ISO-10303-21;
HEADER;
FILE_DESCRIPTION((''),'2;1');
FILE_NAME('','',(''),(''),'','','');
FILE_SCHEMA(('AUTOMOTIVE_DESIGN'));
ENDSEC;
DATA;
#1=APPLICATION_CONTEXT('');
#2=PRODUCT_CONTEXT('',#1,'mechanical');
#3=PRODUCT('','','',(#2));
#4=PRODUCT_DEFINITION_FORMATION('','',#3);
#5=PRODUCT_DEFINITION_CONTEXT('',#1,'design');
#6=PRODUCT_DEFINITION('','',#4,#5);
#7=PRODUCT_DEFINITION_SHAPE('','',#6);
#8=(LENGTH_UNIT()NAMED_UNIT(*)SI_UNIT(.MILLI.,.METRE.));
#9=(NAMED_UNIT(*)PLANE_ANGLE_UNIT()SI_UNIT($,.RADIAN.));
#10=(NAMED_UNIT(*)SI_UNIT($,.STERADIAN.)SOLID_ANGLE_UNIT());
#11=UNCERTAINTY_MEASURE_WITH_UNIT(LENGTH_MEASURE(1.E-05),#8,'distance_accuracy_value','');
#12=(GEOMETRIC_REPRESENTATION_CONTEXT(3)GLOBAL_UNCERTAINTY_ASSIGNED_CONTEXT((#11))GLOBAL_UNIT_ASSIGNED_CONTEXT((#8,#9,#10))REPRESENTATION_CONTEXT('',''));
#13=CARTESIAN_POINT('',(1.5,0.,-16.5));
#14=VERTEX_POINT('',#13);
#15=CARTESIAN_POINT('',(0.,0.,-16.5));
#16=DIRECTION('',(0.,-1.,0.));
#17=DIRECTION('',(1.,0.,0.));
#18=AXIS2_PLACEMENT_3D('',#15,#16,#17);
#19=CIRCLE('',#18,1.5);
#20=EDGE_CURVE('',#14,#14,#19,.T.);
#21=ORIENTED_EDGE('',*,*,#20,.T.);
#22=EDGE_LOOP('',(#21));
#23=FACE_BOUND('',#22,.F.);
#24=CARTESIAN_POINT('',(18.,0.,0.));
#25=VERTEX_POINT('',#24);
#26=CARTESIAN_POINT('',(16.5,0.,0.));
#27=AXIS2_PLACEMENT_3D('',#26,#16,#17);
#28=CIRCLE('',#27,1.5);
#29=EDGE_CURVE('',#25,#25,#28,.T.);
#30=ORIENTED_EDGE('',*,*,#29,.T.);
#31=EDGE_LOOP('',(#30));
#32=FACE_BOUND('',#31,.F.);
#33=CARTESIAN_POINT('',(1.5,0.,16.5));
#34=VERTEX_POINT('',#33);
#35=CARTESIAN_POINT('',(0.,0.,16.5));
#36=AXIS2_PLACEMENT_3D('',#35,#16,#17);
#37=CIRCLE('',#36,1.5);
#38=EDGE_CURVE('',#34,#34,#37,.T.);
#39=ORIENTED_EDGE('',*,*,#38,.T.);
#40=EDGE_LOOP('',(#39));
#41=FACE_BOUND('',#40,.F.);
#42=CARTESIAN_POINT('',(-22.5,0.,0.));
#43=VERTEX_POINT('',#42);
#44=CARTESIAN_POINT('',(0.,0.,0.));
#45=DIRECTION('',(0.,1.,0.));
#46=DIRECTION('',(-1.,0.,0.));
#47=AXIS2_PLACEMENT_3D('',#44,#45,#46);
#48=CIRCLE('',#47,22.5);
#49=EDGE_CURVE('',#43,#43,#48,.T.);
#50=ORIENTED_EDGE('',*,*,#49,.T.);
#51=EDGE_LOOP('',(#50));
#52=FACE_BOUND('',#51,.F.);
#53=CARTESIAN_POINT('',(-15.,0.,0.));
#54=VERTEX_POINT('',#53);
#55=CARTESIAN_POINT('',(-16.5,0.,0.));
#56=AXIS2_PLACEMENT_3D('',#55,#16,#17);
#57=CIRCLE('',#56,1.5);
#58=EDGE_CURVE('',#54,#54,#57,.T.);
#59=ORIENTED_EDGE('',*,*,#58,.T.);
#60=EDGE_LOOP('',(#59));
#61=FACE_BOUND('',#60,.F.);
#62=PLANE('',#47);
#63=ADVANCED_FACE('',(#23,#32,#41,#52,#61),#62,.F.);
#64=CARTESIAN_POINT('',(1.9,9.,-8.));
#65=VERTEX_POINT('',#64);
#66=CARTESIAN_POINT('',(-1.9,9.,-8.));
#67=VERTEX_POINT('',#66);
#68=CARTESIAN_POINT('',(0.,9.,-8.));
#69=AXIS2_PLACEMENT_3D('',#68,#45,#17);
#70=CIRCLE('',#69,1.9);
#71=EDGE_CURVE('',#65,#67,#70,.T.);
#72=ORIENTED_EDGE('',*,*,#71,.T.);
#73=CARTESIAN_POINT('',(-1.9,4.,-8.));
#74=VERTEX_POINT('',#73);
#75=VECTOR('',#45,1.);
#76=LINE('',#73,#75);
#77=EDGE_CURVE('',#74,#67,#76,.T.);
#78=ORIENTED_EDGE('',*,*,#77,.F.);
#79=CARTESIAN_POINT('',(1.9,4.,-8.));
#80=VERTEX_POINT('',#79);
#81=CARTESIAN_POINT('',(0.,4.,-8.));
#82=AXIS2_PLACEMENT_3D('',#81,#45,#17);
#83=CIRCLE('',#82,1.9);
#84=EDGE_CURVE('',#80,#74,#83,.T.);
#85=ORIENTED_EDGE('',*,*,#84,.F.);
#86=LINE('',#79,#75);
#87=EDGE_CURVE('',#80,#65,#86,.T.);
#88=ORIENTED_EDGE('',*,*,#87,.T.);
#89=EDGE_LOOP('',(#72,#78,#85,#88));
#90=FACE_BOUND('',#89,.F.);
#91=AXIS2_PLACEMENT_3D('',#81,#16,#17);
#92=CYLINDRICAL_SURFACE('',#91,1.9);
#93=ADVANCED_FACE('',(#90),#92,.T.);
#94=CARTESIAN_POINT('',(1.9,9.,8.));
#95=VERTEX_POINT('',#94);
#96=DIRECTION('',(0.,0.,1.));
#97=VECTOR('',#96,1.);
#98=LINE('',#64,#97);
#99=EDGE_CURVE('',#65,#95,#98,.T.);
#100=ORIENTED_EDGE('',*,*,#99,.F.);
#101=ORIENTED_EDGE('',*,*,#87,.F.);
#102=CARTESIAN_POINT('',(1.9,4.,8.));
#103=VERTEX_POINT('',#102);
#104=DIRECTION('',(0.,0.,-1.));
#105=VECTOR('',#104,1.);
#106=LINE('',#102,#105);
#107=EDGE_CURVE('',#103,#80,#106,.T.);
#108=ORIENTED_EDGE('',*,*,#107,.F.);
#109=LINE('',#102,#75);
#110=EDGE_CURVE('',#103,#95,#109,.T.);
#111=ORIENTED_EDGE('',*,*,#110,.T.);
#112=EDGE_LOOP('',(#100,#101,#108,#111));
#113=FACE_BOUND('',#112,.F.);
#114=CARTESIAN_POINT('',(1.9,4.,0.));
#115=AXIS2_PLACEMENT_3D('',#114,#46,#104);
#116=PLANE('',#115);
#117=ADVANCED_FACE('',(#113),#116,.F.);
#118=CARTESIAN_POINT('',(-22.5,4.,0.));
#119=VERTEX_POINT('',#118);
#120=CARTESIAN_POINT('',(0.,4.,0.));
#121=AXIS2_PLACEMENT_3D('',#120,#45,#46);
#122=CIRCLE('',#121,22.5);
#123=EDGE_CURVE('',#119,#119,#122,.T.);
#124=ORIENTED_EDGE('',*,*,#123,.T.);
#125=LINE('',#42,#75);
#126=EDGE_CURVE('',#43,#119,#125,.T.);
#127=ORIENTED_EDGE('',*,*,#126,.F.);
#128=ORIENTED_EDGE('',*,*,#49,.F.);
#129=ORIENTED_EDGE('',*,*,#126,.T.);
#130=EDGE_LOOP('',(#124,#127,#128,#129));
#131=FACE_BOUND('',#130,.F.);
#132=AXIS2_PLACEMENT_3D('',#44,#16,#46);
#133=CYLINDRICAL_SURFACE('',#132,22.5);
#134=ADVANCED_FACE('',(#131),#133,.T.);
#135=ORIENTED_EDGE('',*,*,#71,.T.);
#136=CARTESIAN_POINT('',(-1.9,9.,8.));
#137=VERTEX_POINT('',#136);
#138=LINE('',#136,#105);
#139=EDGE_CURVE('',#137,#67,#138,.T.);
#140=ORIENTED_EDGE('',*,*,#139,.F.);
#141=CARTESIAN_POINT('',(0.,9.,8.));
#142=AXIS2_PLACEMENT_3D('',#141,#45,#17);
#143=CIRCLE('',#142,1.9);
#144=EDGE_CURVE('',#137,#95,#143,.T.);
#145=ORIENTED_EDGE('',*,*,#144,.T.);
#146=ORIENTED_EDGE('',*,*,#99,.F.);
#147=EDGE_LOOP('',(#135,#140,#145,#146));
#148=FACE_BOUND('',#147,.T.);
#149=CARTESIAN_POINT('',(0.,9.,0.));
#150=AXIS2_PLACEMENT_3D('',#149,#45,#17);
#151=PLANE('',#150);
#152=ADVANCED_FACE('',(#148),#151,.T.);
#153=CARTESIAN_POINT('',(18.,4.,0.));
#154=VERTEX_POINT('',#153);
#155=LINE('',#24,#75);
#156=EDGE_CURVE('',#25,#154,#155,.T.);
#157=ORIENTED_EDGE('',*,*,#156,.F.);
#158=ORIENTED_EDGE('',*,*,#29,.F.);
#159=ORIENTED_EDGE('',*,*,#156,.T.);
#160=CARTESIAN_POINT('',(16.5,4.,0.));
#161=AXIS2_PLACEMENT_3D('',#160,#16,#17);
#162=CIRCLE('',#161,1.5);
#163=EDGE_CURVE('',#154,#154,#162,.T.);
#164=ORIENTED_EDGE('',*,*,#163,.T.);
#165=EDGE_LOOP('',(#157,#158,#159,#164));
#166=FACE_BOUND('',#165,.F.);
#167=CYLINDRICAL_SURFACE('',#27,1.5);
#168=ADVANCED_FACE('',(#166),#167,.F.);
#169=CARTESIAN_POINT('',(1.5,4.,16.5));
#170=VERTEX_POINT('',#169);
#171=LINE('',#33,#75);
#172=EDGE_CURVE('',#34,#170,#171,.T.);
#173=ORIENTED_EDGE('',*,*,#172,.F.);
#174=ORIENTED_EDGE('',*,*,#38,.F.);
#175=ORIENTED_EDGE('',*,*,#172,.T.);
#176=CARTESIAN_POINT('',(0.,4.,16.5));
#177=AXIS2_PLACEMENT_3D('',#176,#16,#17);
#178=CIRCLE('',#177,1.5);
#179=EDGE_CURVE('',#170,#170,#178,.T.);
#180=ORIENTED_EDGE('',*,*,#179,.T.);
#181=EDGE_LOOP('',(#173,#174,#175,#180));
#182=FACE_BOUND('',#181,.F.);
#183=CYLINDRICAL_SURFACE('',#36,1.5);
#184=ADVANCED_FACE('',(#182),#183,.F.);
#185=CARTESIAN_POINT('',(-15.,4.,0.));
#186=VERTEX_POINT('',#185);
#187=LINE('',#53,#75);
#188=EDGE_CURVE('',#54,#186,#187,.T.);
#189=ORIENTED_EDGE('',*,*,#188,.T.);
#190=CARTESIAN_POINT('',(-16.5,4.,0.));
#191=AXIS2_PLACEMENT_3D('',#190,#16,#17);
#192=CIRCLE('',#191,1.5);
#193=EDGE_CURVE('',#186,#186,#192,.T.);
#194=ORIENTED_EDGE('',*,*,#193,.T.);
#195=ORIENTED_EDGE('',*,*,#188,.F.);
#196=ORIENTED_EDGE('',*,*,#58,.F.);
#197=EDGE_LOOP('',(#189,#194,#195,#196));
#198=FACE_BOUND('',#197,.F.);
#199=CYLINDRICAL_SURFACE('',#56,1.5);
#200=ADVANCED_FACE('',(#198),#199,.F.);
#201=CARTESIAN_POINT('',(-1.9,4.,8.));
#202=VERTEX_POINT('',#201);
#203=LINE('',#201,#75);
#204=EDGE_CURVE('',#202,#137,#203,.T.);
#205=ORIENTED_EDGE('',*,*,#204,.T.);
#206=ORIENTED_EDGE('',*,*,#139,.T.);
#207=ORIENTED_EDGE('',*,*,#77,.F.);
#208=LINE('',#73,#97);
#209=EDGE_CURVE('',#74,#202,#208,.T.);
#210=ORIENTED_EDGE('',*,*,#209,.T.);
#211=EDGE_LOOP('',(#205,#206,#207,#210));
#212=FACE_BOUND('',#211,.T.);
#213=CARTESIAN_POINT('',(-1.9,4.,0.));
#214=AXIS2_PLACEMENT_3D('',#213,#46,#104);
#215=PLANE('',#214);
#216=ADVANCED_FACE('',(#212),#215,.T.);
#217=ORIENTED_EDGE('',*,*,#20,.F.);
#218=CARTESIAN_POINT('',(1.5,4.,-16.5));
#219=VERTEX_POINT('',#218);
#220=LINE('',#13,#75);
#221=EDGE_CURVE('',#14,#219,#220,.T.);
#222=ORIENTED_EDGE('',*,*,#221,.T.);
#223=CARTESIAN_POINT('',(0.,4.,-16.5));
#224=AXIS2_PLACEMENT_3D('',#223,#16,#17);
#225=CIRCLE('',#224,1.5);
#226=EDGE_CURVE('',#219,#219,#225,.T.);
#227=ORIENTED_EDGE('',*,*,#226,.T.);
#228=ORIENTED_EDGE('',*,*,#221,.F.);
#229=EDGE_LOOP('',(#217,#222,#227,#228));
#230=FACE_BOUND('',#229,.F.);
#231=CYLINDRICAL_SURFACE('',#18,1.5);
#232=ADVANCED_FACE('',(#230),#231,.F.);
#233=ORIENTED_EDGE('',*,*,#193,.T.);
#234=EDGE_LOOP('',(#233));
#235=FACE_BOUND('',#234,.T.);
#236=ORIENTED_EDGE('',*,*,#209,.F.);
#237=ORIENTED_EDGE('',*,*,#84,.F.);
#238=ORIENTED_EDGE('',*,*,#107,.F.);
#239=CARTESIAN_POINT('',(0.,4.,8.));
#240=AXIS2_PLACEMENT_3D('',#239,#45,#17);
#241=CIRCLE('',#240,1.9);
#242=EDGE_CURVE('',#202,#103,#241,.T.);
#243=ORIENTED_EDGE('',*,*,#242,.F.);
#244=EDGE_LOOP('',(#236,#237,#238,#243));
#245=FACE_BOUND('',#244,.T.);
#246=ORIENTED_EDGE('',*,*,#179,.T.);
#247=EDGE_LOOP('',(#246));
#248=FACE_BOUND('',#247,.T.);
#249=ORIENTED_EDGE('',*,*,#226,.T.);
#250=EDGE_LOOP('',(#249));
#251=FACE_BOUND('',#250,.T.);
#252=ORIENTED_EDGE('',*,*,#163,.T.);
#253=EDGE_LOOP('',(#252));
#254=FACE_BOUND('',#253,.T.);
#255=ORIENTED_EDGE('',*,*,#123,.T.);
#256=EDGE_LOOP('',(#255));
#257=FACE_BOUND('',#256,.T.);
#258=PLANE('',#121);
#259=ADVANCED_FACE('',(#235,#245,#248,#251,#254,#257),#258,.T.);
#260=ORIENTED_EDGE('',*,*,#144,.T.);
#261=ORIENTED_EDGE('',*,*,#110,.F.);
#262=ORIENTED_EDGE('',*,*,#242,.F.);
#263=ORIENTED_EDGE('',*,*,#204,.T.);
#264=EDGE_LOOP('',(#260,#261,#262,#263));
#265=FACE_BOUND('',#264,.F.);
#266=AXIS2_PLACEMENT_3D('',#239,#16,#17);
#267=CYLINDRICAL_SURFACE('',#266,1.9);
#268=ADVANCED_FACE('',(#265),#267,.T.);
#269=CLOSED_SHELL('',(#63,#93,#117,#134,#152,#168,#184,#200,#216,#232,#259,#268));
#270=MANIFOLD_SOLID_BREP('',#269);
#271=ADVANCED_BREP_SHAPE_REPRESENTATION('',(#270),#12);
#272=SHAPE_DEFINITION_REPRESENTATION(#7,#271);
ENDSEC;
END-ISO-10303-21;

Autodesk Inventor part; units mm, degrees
ref_plane "YZ Plane" through (0, 0, 0) normal (1, 0, 0) x (0, 1, 0)
ref_plane "XZ Plane" through (0, 0, 0) normal (0, 1, 0) x (-1, 0, 0)
ref_plane "XY Plane" through (0, 0, 0) normal (0, 0, 1) x (1, 0, 0)
sketch "Sketch1" plane through (0, 0, 0) normal (0, 1, 0) x (-1, 0, 0)
  circle A0 centre (0, 0) radius 22.5
  dimension "d0" = 45
extrude "Extrusion1" add sketch "Sketch1" along normal blind 4
sketch "Sketch2" plane through (0, 4, 0) normal (0, 1, 0) x (1, 0, 0)
  line L0 (0, 0) -> (0, 8) construction
  line L1 (0, 0) -> (0, -8) construction
  circle A0 centre (0, 8) radius 1.9
  circle A1 centre (0, 0) radius 1.9
  circle A2 centre (0, -8) radius 1.9
  line L2 (1.9, 0) -> (1.9, -8)
  line L3 (1.9, 0) -> (1.9, 8)
  line L4 (-1.9, -8) -> (-1.9, 0)
  line L5 (-1.9, 0) -> (-1.9, 8)
  dimension "d3" = 8
  dimension "d4" = 8
  dimension "d5" = 3.8
  dimension "d6" = 3.8
  dimension "d7" = 3.8
extrude "Extrusion2" add sketch "Sketch2" along normal blind 5
sketch "Sketch7" plane through (0, 0, 0) normal (0, -1, 0) x (1, 0, 0)
  circle A0 centre (0, 0) radius 16.5 construction
  circle A1 centre (0, 16.5) radius 1.5
  circle A2 centre (16.5, 0) radius 1.5
  circle A3 centre (-16.5, 0) radius 1.5
  circle A4 centre (0, -16.5) radius 1.5
  dimension "d42" = 33
  dimension "d43" = 3
  dimension "d44" = 3
  dimension "d45" = 3
  dimension "d46" = 3
extrude "Extrusion6" cut sketch "Sketch7" against normal blind 5
properties part number "motormount_v3_richard"
